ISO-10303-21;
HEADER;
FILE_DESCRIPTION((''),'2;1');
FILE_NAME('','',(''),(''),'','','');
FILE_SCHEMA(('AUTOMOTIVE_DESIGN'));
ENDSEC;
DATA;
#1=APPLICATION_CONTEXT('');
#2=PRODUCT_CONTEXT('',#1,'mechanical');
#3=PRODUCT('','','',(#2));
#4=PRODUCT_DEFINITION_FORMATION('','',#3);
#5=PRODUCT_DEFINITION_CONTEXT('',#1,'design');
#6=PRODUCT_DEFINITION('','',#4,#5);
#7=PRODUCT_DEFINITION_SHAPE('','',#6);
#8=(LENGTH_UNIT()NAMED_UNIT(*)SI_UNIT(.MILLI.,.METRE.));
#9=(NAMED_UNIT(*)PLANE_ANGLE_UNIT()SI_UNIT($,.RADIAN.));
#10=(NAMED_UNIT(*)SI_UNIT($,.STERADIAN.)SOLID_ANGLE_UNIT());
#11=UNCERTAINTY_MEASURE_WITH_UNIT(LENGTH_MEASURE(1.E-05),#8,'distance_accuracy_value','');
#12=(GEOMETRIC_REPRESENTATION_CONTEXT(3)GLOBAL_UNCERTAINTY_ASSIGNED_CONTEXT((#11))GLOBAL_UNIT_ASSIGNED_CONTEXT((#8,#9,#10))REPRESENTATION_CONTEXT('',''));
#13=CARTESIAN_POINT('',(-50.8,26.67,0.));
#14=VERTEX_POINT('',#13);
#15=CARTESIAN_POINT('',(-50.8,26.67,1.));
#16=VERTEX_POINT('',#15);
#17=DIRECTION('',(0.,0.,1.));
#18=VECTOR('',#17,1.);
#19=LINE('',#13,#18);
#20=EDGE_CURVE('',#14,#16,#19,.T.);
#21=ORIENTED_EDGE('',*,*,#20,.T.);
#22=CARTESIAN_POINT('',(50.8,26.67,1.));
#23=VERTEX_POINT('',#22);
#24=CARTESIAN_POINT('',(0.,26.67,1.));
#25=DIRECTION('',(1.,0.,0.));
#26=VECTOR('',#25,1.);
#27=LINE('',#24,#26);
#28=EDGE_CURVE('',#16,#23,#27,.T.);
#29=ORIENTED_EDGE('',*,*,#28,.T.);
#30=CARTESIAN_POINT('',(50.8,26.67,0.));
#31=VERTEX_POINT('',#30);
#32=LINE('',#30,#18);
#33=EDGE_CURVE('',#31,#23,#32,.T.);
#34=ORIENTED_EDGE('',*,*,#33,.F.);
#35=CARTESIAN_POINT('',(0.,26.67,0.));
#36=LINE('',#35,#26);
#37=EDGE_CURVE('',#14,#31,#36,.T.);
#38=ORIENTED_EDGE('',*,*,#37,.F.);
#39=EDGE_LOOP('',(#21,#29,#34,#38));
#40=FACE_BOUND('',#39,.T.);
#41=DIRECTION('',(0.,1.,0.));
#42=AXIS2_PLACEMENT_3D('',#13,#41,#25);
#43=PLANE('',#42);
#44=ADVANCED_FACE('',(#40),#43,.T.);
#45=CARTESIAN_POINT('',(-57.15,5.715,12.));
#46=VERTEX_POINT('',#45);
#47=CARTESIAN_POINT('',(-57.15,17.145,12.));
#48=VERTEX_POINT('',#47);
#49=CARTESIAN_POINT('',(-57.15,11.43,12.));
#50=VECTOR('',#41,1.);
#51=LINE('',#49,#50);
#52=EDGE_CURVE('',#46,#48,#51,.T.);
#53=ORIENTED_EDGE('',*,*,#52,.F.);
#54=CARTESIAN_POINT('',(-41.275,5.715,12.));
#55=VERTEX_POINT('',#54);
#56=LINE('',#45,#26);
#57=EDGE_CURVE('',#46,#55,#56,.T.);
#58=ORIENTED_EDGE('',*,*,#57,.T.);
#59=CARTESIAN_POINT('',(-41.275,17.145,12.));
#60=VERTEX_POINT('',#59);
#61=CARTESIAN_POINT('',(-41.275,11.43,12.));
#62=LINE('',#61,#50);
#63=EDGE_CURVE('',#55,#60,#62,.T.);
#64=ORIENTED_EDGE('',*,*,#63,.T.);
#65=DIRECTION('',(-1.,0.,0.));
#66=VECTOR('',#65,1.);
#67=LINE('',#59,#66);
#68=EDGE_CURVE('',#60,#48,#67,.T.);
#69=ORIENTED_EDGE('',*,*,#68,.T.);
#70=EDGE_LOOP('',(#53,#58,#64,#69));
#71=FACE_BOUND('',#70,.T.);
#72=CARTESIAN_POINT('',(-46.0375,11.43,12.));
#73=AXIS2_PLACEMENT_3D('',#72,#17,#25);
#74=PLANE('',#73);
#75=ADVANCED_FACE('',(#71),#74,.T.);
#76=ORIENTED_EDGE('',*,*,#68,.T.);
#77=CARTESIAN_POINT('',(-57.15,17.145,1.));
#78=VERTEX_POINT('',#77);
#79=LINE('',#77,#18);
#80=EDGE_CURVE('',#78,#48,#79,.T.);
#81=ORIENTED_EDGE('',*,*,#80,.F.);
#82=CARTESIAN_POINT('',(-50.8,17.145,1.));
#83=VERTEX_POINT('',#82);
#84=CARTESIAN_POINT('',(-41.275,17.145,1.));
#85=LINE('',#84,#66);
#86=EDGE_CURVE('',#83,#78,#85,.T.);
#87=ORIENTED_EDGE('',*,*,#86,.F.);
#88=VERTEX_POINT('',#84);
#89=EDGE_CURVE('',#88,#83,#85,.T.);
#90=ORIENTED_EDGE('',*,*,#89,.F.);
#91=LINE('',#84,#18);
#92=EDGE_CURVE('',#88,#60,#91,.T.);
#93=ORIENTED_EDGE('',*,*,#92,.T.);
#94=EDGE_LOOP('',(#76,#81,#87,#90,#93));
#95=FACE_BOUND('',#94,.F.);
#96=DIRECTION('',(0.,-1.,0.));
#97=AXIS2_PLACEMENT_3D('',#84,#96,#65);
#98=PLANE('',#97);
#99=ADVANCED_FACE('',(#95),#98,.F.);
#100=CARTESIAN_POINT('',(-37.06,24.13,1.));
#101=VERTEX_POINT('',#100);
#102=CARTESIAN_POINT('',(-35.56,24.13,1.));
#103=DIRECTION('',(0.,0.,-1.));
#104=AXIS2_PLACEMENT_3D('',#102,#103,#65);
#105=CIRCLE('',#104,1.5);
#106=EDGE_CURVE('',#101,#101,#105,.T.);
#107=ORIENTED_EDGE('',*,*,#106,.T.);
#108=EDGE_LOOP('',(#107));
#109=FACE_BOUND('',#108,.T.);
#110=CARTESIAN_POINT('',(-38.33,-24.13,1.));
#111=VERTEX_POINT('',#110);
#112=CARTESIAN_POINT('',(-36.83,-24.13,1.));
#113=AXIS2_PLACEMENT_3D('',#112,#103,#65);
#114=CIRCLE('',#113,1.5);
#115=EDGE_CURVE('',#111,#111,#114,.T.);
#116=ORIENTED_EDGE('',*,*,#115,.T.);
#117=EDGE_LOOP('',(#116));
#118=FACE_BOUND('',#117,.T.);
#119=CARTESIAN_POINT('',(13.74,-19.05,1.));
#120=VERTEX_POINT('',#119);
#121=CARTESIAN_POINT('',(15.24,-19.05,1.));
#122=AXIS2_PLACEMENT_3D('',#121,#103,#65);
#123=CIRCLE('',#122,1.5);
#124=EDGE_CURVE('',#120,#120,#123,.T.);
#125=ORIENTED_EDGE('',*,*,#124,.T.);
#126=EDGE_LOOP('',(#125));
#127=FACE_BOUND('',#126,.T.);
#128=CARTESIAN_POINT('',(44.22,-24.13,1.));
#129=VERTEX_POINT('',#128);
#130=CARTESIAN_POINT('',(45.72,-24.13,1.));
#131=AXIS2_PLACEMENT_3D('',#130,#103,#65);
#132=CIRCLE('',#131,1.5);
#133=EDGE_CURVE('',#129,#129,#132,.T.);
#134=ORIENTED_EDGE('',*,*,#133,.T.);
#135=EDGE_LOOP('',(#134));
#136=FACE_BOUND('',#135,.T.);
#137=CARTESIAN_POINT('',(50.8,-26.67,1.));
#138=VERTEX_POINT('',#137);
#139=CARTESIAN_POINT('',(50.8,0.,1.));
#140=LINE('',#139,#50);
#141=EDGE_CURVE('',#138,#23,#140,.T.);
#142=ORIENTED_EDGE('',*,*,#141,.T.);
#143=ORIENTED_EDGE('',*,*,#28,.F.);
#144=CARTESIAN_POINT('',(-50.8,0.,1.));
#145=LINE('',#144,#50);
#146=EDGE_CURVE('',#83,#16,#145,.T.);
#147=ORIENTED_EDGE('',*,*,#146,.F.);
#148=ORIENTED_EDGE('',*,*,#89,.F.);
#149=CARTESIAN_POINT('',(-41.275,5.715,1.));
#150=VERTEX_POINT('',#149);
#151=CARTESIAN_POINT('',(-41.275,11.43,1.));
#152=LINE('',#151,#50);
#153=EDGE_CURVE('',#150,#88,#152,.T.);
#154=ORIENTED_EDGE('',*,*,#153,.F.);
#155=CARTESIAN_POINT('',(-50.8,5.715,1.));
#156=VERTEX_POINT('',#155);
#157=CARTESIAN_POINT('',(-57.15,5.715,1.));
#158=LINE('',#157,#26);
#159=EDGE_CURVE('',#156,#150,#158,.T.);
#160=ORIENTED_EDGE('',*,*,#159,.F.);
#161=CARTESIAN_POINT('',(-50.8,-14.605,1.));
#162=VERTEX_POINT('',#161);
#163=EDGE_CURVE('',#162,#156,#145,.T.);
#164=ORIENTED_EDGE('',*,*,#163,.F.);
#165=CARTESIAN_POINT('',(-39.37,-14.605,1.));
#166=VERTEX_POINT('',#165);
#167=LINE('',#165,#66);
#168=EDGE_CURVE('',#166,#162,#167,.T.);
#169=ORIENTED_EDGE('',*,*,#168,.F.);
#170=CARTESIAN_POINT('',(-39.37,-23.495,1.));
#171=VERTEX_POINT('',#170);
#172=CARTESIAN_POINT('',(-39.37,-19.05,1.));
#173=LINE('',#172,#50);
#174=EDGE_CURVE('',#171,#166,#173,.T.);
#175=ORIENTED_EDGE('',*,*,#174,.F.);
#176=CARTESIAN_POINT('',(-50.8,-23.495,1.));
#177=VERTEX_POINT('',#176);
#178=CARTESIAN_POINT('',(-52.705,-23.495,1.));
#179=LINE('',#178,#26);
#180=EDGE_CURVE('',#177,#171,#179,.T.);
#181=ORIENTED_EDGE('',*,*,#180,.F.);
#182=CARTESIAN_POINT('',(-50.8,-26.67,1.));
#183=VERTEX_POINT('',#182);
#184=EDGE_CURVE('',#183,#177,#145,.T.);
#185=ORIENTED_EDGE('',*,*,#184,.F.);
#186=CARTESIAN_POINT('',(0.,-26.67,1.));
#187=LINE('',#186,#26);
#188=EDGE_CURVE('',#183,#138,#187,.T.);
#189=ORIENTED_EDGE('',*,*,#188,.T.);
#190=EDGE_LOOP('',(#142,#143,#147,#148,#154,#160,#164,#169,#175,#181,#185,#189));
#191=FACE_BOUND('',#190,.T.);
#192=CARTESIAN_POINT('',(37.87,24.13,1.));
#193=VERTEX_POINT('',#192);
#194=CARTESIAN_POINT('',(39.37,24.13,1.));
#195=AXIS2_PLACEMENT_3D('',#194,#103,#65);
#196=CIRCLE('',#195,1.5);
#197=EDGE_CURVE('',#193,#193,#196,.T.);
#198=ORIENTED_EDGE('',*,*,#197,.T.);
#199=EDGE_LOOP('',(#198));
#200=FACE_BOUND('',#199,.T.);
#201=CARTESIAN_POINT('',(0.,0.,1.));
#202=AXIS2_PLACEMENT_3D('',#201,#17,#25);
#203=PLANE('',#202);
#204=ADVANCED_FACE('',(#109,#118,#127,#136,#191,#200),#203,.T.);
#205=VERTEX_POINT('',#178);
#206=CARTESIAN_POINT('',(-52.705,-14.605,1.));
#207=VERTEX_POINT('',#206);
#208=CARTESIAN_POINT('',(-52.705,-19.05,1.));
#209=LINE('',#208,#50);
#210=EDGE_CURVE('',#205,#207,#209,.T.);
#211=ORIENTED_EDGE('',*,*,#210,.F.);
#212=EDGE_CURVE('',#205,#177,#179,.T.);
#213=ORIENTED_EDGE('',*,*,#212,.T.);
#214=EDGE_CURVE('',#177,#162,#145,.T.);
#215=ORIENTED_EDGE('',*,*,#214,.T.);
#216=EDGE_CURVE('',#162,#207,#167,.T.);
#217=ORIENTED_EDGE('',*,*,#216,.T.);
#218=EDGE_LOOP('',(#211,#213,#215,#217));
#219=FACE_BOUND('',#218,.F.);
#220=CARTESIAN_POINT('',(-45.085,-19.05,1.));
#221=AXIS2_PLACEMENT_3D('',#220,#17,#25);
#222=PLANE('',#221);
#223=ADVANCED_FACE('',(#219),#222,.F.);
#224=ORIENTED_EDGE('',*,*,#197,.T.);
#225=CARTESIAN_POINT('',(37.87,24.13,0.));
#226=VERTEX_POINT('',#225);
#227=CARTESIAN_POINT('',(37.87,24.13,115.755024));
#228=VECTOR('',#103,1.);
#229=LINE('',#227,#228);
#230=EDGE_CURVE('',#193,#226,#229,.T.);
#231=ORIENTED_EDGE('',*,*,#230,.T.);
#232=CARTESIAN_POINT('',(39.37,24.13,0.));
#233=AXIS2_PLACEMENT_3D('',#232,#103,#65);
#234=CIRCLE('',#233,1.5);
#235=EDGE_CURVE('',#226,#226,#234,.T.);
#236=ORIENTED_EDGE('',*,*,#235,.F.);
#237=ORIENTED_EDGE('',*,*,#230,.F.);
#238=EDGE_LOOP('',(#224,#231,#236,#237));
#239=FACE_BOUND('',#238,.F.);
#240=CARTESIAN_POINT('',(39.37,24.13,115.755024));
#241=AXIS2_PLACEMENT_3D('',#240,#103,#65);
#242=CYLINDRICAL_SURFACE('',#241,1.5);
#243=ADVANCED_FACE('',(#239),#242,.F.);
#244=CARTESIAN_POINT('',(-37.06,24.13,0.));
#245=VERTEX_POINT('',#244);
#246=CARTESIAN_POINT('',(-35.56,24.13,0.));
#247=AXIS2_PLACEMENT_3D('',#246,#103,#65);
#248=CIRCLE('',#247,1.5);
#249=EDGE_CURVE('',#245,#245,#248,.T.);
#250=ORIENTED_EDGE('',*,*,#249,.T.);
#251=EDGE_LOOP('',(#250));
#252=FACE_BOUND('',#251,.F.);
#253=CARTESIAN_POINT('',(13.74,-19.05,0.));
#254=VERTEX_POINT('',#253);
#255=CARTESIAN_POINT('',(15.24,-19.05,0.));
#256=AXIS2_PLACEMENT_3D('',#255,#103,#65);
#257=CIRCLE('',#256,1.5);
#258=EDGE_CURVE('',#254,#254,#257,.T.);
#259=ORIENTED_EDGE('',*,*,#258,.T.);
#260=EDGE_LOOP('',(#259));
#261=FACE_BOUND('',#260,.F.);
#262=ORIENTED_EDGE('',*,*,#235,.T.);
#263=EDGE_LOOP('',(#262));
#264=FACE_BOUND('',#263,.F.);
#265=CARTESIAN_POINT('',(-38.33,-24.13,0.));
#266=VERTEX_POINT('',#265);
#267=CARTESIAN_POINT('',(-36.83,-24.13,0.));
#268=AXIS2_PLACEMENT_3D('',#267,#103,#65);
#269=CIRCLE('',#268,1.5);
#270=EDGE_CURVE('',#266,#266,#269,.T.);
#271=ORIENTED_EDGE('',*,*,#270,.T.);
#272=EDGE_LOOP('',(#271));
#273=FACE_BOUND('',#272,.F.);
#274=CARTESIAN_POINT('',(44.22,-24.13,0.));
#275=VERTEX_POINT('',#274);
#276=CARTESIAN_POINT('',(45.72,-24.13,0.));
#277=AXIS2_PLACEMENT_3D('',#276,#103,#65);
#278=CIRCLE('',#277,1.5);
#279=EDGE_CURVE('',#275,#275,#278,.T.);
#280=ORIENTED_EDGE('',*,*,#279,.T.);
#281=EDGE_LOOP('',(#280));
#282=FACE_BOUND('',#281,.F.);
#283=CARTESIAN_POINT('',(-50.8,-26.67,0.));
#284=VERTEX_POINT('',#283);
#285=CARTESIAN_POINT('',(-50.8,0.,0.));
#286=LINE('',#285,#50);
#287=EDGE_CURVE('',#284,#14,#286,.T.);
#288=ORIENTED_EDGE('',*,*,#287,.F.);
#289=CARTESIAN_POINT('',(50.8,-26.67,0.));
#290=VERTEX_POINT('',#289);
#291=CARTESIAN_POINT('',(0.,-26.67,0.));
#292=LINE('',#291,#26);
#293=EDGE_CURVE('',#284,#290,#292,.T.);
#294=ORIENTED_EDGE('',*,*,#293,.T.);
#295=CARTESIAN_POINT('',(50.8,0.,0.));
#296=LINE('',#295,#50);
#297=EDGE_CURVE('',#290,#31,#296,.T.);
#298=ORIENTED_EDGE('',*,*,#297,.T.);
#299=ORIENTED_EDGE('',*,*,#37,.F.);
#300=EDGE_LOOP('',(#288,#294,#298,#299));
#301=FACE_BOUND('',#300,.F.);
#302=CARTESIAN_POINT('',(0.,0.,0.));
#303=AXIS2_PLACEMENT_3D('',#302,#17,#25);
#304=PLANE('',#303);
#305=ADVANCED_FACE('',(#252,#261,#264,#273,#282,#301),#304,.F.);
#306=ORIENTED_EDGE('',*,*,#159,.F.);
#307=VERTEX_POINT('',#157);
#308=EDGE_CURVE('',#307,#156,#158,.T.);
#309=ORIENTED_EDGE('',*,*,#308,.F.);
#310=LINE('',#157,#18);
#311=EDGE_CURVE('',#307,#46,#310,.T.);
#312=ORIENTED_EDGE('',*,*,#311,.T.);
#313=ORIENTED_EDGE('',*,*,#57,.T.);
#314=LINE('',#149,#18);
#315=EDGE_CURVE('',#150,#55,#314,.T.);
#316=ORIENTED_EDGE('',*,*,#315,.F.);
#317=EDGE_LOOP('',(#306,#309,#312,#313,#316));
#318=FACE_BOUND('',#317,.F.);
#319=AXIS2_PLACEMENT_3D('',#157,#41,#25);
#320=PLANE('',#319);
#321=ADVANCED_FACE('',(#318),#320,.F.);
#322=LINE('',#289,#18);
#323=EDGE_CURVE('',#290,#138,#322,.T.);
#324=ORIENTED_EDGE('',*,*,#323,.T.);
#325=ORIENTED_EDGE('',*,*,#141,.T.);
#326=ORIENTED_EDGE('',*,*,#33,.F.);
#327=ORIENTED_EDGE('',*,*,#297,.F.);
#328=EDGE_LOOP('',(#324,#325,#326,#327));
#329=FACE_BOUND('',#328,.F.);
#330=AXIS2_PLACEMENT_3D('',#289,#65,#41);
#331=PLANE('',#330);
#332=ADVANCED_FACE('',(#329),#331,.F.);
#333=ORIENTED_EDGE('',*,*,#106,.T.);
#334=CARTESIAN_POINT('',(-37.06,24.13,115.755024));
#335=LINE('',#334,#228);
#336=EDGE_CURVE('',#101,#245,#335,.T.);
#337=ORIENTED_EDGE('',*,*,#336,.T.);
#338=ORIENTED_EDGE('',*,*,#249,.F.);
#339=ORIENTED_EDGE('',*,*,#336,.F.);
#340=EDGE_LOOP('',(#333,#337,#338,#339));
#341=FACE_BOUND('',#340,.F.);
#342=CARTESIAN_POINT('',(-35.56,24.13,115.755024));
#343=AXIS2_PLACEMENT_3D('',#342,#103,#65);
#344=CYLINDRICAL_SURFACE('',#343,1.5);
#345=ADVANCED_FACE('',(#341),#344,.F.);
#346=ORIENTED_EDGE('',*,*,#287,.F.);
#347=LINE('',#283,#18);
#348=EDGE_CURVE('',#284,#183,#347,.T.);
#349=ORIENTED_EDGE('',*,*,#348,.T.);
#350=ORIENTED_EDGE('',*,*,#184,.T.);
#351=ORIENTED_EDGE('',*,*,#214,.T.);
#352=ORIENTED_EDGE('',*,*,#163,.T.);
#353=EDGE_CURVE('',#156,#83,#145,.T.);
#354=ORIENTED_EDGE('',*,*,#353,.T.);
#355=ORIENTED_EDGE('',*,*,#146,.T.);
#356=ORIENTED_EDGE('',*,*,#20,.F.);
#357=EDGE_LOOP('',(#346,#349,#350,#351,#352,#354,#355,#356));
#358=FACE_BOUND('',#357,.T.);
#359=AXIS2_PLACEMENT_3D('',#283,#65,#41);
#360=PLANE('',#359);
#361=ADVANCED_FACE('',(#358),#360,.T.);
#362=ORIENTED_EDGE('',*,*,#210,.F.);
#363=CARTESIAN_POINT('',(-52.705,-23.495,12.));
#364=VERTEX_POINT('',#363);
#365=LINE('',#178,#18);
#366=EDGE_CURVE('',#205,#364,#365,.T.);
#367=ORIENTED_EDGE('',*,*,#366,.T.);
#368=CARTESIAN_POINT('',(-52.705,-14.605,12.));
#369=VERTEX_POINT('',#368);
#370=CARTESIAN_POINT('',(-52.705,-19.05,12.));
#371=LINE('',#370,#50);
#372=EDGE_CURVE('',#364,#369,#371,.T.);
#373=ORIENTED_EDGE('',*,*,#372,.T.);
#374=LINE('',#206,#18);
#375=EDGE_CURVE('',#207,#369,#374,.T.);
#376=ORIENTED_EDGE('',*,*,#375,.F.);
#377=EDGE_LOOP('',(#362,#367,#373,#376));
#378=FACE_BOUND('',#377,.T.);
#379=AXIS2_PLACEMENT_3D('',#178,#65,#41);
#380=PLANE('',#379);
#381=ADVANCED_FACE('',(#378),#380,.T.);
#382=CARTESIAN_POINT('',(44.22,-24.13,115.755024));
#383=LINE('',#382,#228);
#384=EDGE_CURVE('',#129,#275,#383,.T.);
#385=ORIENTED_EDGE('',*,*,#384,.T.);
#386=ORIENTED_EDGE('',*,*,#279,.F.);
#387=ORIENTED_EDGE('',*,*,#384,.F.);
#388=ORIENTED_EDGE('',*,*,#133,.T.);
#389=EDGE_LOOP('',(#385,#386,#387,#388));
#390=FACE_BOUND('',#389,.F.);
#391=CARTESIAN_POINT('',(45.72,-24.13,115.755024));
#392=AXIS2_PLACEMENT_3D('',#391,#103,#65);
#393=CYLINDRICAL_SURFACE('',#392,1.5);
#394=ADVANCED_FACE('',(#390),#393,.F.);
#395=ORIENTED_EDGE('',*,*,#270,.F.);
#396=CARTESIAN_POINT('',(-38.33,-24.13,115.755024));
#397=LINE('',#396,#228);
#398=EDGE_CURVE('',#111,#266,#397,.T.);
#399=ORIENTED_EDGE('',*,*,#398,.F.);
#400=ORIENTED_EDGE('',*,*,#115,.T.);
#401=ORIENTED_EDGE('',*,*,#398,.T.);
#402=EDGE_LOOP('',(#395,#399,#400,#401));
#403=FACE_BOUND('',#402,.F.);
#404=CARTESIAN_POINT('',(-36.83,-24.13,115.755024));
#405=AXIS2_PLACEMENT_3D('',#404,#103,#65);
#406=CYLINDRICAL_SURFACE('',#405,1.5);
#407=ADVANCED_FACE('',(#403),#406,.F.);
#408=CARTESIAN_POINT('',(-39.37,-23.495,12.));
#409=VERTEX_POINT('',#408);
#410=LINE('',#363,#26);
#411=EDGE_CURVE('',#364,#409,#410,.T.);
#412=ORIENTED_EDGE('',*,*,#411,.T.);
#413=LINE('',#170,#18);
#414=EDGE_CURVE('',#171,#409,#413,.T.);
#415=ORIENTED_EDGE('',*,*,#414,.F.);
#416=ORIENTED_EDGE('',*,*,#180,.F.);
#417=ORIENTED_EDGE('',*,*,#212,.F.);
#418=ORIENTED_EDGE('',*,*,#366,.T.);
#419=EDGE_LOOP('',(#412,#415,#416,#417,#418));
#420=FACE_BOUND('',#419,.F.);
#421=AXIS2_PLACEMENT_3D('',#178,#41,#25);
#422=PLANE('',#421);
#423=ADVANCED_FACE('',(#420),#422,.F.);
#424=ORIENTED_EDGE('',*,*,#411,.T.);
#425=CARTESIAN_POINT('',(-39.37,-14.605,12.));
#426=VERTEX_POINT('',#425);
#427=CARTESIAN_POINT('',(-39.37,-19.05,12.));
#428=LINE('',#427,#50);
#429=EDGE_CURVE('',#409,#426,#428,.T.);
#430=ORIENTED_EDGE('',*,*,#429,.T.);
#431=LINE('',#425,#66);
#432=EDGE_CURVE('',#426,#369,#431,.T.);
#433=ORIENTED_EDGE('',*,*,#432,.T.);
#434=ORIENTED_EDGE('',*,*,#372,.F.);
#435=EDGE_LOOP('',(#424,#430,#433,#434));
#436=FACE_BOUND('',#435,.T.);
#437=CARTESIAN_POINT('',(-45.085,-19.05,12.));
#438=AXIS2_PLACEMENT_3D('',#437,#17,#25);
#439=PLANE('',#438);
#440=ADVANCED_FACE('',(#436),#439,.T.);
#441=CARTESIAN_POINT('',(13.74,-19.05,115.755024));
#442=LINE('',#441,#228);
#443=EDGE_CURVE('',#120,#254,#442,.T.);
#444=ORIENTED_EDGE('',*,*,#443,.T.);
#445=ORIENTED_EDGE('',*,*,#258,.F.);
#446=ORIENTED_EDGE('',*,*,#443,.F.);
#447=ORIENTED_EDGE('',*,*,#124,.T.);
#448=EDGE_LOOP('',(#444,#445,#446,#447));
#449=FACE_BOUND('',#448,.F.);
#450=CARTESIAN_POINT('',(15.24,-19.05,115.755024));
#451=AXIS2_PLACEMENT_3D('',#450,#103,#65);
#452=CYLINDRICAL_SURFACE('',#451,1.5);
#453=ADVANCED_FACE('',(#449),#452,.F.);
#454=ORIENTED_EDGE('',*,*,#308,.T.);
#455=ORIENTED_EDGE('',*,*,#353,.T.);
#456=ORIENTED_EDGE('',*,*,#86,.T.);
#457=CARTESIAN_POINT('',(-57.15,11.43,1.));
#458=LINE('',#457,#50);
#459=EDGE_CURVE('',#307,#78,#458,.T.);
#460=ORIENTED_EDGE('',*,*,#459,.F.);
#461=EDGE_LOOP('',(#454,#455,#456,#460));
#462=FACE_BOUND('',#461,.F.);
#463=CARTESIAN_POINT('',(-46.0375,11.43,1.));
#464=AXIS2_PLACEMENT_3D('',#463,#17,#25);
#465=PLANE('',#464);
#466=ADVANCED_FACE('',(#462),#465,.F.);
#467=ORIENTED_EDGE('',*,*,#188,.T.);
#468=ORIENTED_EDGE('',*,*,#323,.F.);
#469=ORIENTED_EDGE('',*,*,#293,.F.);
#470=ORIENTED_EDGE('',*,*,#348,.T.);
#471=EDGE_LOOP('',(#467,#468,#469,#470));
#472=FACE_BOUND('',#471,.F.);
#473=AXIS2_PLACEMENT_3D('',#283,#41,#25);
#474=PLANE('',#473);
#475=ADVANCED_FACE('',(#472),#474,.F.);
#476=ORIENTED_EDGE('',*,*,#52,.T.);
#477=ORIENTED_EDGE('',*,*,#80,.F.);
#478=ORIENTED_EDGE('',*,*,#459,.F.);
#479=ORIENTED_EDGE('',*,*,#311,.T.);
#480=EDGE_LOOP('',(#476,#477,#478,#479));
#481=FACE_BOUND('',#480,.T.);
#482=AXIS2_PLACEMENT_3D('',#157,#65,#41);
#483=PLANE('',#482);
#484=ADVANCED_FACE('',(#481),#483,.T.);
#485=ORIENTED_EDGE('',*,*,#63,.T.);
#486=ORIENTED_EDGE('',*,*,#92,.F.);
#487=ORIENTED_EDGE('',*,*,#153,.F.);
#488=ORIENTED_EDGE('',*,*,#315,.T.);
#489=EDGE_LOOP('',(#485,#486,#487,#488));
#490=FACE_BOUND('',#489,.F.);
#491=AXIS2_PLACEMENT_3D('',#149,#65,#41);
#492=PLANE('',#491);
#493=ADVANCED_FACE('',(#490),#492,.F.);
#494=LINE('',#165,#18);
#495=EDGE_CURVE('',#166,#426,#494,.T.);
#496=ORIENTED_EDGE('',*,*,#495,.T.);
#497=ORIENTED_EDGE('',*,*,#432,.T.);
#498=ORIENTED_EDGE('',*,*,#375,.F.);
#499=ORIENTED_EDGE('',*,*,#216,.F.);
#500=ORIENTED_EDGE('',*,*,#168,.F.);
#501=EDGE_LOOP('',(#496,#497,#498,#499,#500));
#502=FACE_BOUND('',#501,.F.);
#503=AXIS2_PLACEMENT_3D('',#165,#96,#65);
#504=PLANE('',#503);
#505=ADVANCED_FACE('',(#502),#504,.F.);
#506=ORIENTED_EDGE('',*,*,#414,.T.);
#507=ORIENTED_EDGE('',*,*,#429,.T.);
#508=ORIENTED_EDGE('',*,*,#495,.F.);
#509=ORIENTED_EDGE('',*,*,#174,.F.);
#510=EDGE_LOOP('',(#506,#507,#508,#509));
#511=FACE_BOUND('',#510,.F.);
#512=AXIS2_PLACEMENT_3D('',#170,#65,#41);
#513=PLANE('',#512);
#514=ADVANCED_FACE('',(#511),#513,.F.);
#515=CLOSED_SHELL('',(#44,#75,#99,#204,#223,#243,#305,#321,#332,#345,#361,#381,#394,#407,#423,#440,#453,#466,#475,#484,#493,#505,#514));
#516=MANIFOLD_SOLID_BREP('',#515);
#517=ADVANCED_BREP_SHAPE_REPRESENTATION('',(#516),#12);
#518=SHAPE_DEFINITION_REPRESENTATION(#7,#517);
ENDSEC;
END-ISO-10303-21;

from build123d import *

# Parameters (mm, degrees)
F0_W     = 101.6
F0_H     = 53.34
F1_DEPTH = 1
F3_D     = 3
F4_W     = 9.525
F4_H     = 11.43
F4_W_2   = 6.35
F4_W_3   = 11.43
F4_H_2   = 8.89
F4_W_4   = 1.905
F5_DEPTH = 11


with BuildPart() as f1:
    # F0 (on Top) → F1 (new body)
    with BuildSketch(Plane.XY):
        Rectangle(F0_W, F0_H)
    extrude(amount=F1_DEPTH)

    # F3 (through all)
    with Locations(Plane.XY.offset(1)):
        with Locations((-35.56, 24.13), (39.37, 24.13), (45.72, -24.13), (15.24, -19.05), (-36.83, -24.13)):
            Hole(F3_D / 2)

    # F4 (on face) → F5 (join)
    with BuildSketch(Plane.XY.offset(1)):
        with Locations((-46.0375, 11.43)):
            Rectangle(F4_W, F4_H)
        with Locations((-53.975, 11.43)):
            Rectangle(F4_W_2, F4_H)
        with Locations((-45.085, -19.05)):
            Rectangle(F4_W_3, F4_H_2)
        with Locations((-51.7525, -19.05)):
            Rectangle(F4_W_4, F4_H_2)
    extrude(amount=F5_DEPTH)


solid = f1.part
